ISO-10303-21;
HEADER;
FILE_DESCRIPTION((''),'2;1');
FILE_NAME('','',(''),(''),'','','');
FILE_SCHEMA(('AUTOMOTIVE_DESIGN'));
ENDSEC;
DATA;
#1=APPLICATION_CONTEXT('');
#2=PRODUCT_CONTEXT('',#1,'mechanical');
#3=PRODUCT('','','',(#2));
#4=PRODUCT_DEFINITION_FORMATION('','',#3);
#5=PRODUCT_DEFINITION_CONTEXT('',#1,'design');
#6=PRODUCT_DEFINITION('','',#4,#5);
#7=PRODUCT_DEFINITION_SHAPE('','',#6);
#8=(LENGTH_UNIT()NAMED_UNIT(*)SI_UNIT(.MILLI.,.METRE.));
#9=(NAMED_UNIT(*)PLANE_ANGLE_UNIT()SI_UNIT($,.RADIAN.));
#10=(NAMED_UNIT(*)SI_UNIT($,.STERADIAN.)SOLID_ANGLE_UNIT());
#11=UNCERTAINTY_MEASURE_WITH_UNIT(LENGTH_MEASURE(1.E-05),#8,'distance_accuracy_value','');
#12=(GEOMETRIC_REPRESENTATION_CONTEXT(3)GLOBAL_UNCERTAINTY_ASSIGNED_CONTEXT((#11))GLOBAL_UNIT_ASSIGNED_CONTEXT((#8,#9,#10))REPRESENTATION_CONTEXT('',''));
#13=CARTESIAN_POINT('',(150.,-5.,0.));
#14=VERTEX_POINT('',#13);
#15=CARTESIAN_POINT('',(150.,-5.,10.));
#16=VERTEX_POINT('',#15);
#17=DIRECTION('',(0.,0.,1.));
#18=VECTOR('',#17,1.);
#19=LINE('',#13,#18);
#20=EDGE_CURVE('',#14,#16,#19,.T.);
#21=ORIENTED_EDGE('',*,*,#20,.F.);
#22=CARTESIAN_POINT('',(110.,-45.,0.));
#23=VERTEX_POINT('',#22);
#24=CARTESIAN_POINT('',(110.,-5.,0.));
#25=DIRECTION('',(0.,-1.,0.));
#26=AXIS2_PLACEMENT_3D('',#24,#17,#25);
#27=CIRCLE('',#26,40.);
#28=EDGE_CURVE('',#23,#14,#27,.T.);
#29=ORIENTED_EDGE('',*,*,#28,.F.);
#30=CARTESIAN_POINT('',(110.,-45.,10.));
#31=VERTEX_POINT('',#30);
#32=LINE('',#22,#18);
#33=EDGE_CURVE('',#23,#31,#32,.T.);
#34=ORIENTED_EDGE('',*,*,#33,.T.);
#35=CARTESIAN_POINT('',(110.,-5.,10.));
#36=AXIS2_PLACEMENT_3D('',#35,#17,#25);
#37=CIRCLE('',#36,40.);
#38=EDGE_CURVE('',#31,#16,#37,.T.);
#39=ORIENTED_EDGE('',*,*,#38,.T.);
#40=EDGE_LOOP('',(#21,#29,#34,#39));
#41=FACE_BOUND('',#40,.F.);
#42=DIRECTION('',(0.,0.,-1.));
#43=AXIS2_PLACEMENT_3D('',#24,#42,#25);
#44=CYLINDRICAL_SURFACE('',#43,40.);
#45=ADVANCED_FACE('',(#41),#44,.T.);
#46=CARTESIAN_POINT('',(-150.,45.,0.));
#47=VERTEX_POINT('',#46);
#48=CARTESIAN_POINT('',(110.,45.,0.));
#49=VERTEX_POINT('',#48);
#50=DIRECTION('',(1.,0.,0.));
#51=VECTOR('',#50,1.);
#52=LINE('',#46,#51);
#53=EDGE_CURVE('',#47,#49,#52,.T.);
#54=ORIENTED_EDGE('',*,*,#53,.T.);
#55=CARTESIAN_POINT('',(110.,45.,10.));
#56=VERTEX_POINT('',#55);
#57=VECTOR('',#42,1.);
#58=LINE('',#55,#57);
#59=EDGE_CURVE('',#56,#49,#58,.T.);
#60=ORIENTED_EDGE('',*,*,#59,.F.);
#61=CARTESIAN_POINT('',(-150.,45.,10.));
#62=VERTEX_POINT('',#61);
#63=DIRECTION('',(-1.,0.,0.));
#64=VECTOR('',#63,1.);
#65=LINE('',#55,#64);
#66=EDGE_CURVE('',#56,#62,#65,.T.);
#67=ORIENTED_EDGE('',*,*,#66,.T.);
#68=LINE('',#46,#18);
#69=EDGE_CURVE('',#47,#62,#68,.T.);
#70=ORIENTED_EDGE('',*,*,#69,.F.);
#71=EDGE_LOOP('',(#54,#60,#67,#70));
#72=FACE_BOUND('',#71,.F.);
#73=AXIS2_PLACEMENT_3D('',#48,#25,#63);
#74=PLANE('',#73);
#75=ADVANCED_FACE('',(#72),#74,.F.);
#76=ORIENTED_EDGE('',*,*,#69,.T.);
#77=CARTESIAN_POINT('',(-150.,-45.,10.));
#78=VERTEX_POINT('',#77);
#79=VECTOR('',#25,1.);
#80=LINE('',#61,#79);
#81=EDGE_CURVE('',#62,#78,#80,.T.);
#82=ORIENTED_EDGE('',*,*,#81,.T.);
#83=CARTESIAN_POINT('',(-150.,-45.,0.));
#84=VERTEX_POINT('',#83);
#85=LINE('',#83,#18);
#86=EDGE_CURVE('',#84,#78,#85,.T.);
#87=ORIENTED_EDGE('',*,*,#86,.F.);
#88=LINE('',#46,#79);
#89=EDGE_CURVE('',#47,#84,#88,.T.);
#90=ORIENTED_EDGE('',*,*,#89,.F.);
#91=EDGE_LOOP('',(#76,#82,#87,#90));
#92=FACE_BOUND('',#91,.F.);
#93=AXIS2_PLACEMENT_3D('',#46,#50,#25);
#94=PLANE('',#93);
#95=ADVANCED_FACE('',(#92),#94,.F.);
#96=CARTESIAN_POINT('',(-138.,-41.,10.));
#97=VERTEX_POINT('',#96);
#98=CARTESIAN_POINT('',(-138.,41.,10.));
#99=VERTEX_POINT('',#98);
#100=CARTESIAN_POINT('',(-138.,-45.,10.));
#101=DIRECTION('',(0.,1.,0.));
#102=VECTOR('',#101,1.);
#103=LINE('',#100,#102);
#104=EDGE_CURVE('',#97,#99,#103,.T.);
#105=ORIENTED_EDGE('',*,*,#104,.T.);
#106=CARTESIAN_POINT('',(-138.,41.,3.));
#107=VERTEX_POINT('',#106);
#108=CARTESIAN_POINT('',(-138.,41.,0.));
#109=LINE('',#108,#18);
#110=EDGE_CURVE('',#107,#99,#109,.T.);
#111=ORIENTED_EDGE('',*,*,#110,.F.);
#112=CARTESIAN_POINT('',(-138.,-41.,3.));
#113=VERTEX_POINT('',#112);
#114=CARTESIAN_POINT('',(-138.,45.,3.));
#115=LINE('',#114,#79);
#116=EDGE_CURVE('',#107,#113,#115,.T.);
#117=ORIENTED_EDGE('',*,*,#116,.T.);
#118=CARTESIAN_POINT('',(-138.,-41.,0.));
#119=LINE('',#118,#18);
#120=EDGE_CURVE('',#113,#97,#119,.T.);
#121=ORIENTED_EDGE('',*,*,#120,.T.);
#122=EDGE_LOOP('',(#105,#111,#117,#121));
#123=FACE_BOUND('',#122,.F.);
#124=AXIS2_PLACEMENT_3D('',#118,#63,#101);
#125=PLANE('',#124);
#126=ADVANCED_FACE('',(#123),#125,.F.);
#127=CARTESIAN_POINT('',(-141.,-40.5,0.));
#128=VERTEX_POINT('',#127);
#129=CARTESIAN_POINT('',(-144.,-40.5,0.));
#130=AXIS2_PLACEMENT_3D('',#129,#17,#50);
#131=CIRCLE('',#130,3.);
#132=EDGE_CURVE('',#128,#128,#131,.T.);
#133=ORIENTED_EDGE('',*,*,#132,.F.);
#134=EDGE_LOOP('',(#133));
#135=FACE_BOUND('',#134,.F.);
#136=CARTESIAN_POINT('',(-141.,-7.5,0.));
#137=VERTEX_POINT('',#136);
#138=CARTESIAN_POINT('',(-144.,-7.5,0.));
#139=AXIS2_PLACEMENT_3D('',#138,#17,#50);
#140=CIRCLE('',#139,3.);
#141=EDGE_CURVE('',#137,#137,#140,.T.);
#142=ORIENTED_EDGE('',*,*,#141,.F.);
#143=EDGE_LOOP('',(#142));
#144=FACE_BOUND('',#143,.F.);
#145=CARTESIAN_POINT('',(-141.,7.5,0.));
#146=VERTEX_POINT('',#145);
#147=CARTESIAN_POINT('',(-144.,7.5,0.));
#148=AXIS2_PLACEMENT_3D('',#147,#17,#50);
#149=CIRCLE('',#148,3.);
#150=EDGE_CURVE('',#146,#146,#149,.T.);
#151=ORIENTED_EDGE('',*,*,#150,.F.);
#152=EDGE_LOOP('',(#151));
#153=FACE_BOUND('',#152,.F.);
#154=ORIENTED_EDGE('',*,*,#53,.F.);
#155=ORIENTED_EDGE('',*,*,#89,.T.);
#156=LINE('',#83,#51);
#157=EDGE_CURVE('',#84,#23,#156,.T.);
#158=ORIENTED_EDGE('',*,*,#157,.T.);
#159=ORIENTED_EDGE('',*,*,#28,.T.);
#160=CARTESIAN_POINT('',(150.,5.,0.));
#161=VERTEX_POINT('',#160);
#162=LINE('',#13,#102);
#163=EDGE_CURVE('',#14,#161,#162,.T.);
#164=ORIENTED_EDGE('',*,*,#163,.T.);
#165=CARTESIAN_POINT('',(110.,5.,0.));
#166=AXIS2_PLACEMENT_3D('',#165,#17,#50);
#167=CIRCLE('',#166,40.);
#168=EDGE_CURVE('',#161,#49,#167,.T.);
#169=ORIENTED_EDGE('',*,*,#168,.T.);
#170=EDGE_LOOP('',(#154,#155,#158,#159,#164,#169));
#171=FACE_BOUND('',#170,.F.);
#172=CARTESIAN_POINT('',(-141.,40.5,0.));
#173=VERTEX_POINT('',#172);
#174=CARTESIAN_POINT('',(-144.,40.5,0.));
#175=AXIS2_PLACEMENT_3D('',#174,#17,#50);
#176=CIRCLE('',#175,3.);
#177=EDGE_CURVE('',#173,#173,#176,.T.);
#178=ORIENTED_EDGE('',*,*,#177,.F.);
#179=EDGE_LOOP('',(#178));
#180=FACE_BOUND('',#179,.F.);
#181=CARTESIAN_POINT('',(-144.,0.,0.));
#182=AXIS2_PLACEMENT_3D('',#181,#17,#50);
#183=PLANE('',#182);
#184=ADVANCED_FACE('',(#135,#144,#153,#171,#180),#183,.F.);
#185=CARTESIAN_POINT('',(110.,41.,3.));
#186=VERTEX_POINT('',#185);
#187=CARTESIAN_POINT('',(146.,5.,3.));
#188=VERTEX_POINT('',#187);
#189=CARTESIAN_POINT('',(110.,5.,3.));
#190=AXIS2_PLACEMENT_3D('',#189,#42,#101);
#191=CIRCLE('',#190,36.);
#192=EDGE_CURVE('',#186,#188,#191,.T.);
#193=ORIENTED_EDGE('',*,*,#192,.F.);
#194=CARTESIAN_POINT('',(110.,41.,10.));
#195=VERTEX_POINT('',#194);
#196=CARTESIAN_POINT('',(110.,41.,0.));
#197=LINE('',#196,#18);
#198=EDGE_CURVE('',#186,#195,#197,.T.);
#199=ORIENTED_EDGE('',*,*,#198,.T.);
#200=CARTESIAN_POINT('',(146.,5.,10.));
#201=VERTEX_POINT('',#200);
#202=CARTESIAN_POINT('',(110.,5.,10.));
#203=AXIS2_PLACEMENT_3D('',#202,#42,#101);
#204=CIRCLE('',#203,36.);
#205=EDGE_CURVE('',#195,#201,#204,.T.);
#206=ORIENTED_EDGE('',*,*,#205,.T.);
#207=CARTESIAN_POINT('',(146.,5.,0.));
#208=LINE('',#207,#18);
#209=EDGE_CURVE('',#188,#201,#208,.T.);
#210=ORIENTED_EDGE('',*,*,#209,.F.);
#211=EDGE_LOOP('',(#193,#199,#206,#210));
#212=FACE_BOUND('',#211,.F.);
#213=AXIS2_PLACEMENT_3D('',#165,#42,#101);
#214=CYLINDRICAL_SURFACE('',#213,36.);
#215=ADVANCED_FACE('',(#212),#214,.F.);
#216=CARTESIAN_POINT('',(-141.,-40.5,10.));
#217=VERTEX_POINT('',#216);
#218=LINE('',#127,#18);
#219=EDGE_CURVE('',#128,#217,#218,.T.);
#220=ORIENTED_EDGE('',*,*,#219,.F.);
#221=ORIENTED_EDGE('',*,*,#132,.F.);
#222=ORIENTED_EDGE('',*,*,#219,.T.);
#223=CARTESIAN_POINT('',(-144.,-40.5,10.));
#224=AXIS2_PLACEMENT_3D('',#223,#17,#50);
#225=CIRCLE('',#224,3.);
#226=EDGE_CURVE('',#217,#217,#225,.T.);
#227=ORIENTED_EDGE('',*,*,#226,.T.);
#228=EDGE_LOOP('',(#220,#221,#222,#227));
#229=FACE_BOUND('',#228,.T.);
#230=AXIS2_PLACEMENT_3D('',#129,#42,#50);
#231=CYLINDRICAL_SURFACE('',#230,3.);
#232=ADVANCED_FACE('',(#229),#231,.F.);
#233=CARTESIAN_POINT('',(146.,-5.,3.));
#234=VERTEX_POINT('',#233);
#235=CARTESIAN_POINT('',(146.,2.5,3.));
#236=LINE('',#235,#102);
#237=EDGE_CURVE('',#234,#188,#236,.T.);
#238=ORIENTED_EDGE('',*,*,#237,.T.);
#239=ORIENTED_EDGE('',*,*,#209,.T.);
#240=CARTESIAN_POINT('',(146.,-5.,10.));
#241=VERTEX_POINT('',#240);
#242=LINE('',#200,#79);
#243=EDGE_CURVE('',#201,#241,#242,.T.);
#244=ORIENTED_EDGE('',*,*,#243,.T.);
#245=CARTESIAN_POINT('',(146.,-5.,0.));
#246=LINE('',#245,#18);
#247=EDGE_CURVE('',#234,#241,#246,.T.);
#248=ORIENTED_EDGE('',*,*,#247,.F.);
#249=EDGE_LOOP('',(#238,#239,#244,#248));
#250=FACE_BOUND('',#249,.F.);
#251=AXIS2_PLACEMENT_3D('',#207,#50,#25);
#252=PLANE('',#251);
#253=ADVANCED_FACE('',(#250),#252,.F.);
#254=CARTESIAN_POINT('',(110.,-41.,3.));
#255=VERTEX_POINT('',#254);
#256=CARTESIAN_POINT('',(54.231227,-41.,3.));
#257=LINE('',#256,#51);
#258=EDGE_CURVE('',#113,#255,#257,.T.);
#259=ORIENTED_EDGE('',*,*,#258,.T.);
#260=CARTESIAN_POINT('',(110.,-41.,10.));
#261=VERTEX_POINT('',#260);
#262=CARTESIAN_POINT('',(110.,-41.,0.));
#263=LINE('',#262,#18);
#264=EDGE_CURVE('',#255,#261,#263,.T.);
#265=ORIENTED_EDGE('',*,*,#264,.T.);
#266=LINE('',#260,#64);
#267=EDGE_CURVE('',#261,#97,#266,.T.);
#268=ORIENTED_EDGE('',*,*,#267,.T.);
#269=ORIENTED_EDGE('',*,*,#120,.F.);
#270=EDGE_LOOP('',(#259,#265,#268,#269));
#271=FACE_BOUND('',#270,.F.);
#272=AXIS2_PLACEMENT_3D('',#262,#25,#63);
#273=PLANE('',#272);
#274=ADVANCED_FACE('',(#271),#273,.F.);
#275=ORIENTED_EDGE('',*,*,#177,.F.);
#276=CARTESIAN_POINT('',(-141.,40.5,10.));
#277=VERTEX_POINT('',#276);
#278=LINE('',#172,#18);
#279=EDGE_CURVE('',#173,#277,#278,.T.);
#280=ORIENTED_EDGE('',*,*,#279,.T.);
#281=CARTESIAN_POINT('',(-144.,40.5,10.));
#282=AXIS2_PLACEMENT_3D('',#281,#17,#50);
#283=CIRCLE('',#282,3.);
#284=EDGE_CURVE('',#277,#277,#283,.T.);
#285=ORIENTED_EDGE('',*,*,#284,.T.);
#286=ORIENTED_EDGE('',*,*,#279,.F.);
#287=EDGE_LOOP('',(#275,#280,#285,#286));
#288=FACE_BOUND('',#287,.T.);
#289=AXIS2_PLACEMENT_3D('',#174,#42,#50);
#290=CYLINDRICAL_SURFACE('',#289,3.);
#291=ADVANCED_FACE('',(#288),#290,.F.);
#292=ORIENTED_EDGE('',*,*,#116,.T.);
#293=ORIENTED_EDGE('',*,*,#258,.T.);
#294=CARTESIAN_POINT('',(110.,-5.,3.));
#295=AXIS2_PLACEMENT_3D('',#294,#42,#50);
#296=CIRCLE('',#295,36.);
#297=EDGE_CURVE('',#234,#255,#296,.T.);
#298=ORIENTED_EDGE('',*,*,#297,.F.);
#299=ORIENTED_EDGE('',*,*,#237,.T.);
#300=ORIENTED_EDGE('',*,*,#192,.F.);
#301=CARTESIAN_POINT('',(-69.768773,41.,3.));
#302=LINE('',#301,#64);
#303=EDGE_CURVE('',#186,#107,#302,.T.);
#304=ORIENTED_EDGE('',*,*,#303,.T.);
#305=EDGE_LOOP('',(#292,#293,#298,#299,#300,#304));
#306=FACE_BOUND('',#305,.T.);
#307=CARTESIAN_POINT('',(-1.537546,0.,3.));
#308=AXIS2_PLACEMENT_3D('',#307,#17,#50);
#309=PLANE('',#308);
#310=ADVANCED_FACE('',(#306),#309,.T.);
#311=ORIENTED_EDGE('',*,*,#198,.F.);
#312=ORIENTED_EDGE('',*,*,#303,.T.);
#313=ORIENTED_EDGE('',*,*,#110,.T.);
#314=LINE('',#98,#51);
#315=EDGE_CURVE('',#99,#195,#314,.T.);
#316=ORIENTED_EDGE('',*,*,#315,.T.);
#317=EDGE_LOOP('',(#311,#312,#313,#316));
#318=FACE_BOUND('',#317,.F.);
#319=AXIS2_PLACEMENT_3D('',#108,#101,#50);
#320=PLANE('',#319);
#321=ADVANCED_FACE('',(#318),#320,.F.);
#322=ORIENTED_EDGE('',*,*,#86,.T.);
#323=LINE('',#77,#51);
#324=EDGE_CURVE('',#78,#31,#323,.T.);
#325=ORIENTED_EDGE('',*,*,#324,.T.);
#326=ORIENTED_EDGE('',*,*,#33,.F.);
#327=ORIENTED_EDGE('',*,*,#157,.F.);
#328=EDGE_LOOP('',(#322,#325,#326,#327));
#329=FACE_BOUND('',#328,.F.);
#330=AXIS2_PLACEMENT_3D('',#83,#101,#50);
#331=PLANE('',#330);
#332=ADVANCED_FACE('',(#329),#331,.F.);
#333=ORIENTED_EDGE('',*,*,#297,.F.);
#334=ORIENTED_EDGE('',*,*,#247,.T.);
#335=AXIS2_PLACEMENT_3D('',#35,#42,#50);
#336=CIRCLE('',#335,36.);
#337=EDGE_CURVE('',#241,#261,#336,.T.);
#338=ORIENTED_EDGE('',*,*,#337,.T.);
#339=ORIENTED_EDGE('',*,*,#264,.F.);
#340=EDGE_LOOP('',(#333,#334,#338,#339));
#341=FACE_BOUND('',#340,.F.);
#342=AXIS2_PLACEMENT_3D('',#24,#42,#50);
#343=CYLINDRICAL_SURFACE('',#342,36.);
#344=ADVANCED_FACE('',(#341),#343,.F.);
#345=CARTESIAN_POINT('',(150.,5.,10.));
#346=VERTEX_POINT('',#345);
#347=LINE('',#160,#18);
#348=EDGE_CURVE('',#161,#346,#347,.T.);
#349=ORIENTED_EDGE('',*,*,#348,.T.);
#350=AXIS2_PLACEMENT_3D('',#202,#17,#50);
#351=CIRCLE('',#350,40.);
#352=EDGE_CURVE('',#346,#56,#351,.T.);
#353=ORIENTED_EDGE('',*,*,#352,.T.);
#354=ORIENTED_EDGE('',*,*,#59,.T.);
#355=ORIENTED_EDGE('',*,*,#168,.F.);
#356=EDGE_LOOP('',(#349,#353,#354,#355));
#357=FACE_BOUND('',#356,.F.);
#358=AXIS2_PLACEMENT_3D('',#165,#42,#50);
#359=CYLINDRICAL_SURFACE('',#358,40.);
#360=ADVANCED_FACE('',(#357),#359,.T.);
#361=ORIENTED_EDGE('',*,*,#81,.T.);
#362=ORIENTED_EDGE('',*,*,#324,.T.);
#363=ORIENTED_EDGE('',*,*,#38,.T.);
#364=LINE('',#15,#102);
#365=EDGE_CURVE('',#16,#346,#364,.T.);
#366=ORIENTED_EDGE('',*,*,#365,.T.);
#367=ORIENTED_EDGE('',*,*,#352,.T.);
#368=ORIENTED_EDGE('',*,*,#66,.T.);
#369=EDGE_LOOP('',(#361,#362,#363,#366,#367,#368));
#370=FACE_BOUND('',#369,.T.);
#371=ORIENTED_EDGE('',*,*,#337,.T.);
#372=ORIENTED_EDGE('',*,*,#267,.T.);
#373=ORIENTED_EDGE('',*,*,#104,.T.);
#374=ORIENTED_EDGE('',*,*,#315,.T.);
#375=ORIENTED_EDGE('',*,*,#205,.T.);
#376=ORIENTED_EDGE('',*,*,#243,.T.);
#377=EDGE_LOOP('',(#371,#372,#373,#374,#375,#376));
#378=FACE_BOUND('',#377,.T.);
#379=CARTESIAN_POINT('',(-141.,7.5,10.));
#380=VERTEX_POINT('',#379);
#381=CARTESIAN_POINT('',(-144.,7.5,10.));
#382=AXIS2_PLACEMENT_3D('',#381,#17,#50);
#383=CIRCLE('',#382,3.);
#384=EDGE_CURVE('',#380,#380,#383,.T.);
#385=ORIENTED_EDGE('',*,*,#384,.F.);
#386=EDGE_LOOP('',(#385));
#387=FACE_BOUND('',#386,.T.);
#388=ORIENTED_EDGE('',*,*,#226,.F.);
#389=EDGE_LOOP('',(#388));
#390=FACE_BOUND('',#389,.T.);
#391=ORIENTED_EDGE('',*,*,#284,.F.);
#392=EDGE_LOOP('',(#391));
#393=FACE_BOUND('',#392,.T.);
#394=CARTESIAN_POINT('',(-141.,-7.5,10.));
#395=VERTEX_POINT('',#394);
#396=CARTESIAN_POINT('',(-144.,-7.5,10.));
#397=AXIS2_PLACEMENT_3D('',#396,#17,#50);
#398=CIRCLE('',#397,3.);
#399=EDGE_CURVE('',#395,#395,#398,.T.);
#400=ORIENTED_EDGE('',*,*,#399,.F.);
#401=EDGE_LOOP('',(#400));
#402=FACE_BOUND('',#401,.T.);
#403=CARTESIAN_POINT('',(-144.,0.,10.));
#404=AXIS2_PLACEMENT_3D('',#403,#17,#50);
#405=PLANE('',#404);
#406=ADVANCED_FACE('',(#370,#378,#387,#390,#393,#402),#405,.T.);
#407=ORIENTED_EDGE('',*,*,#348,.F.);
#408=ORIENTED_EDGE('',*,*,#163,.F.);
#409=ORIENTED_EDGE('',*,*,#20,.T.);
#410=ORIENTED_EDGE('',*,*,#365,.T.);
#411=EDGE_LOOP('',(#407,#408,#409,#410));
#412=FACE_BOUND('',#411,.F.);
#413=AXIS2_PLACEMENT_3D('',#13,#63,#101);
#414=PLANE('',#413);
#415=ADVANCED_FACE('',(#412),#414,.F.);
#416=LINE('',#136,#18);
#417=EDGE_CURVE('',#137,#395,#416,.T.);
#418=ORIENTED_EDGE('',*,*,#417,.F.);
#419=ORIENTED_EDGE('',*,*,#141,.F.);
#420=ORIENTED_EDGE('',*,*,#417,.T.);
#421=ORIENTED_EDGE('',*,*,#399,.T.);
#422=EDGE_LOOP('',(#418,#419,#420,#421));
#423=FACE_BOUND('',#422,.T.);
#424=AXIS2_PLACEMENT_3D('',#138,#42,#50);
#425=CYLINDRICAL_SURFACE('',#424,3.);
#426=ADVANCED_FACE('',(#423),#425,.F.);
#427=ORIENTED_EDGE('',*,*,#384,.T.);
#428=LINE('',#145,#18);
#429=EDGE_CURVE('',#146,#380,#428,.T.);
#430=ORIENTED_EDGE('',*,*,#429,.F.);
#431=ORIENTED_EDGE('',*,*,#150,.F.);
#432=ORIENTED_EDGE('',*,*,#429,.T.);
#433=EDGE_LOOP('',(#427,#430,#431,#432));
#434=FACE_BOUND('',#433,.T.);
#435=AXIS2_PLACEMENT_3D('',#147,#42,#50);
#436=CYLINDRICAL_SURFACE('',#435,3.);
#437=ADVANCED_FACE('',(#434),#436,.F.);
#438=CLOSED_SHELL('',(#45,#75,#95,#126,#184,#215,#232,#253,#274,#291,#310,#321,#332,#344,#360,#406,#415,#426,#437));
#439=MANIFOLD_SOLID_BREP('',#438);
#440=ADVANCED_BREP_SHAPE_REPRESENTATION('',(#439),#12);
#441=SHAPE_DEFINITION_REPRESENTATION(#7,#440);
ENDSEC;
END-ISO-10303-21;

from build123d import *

# Parameters (mm, degrees)
BOSS_EXTRUDE1_DEPTH = 3
SKETCH1_3_R         = 3
BOSS_EXTRUDE2_DEPTH = 10


with BuildPart() as part:
    # Sketch1 → Boss-Extrude1 (new body)
    with BuildSketch(Plane.XY):
        with BuildLine():
            Line((-138, -45), (110, -45))
            ThreePointArc((110, -45), (138.284271247, -33.284271247), (150, -5))
            Line((150, -5), (150, 5))
            ThreePointArc((150, 5), (138.284271247, 33.284271247), (110, 45))
            Line((110, 45), (-138, 45))
            Line((-138, 45), (-138, -45))
        make_face()
    extrude(amount=BOSS_EXTRUDE1_DEPTH)

    # Sketch1<3> → Boss-Extrude2 (add)
    with BuildSketch(Plane.XY):
        with BuildLine():
            ThreePointArc((110, -45), (138.284271247, -33.284271247), (150, -5))
            Line((150, -5), (150, 5))
            ThreePointArc((150, 5), (138.284271247, 33.284271247), (110, 45))
            Line((110, 45), (-150, 45))
            Line((-150, 45), (-150, -45))
            Line((-150, -45), (110, -45))
        make_face()
        with BuildLine():
            Line((110, -41), (-138, -41))
            Line((-138, -41), (-138, 41))
            Line((-138, 41), (110, 41))
            ThreePointArc((110, 41), (135.455844123, 30.455844123), (146, 5))
            Line((146, 5), (146, -5))
            ThreePointArc((146, -5), (135.455844123, -30.455844123), (110, -41))
        make_face(mode=Mode.SUBTRACT)
        with Locations((-144, 7.5)):
            Circle(SKETCH1_3_R, mode=Mode.SUBTRACT)
        with Locations((-144, 40.5)):
            Circle(SKETCH1_3_R, mode=Mode.SUBTRACT)
        with Locations((-144, -40.5)):
            Circle(SKETCH1_3_R, mode=Mode.SUBTRACT)
        with Locations((-144, -7.5)):
            Circle(SKETCH1_3_R, mode=Mode.SUBTRACT)
    extrude(amount=BOSS_EXTRUDE2_DEPTH)


solid = part.part
